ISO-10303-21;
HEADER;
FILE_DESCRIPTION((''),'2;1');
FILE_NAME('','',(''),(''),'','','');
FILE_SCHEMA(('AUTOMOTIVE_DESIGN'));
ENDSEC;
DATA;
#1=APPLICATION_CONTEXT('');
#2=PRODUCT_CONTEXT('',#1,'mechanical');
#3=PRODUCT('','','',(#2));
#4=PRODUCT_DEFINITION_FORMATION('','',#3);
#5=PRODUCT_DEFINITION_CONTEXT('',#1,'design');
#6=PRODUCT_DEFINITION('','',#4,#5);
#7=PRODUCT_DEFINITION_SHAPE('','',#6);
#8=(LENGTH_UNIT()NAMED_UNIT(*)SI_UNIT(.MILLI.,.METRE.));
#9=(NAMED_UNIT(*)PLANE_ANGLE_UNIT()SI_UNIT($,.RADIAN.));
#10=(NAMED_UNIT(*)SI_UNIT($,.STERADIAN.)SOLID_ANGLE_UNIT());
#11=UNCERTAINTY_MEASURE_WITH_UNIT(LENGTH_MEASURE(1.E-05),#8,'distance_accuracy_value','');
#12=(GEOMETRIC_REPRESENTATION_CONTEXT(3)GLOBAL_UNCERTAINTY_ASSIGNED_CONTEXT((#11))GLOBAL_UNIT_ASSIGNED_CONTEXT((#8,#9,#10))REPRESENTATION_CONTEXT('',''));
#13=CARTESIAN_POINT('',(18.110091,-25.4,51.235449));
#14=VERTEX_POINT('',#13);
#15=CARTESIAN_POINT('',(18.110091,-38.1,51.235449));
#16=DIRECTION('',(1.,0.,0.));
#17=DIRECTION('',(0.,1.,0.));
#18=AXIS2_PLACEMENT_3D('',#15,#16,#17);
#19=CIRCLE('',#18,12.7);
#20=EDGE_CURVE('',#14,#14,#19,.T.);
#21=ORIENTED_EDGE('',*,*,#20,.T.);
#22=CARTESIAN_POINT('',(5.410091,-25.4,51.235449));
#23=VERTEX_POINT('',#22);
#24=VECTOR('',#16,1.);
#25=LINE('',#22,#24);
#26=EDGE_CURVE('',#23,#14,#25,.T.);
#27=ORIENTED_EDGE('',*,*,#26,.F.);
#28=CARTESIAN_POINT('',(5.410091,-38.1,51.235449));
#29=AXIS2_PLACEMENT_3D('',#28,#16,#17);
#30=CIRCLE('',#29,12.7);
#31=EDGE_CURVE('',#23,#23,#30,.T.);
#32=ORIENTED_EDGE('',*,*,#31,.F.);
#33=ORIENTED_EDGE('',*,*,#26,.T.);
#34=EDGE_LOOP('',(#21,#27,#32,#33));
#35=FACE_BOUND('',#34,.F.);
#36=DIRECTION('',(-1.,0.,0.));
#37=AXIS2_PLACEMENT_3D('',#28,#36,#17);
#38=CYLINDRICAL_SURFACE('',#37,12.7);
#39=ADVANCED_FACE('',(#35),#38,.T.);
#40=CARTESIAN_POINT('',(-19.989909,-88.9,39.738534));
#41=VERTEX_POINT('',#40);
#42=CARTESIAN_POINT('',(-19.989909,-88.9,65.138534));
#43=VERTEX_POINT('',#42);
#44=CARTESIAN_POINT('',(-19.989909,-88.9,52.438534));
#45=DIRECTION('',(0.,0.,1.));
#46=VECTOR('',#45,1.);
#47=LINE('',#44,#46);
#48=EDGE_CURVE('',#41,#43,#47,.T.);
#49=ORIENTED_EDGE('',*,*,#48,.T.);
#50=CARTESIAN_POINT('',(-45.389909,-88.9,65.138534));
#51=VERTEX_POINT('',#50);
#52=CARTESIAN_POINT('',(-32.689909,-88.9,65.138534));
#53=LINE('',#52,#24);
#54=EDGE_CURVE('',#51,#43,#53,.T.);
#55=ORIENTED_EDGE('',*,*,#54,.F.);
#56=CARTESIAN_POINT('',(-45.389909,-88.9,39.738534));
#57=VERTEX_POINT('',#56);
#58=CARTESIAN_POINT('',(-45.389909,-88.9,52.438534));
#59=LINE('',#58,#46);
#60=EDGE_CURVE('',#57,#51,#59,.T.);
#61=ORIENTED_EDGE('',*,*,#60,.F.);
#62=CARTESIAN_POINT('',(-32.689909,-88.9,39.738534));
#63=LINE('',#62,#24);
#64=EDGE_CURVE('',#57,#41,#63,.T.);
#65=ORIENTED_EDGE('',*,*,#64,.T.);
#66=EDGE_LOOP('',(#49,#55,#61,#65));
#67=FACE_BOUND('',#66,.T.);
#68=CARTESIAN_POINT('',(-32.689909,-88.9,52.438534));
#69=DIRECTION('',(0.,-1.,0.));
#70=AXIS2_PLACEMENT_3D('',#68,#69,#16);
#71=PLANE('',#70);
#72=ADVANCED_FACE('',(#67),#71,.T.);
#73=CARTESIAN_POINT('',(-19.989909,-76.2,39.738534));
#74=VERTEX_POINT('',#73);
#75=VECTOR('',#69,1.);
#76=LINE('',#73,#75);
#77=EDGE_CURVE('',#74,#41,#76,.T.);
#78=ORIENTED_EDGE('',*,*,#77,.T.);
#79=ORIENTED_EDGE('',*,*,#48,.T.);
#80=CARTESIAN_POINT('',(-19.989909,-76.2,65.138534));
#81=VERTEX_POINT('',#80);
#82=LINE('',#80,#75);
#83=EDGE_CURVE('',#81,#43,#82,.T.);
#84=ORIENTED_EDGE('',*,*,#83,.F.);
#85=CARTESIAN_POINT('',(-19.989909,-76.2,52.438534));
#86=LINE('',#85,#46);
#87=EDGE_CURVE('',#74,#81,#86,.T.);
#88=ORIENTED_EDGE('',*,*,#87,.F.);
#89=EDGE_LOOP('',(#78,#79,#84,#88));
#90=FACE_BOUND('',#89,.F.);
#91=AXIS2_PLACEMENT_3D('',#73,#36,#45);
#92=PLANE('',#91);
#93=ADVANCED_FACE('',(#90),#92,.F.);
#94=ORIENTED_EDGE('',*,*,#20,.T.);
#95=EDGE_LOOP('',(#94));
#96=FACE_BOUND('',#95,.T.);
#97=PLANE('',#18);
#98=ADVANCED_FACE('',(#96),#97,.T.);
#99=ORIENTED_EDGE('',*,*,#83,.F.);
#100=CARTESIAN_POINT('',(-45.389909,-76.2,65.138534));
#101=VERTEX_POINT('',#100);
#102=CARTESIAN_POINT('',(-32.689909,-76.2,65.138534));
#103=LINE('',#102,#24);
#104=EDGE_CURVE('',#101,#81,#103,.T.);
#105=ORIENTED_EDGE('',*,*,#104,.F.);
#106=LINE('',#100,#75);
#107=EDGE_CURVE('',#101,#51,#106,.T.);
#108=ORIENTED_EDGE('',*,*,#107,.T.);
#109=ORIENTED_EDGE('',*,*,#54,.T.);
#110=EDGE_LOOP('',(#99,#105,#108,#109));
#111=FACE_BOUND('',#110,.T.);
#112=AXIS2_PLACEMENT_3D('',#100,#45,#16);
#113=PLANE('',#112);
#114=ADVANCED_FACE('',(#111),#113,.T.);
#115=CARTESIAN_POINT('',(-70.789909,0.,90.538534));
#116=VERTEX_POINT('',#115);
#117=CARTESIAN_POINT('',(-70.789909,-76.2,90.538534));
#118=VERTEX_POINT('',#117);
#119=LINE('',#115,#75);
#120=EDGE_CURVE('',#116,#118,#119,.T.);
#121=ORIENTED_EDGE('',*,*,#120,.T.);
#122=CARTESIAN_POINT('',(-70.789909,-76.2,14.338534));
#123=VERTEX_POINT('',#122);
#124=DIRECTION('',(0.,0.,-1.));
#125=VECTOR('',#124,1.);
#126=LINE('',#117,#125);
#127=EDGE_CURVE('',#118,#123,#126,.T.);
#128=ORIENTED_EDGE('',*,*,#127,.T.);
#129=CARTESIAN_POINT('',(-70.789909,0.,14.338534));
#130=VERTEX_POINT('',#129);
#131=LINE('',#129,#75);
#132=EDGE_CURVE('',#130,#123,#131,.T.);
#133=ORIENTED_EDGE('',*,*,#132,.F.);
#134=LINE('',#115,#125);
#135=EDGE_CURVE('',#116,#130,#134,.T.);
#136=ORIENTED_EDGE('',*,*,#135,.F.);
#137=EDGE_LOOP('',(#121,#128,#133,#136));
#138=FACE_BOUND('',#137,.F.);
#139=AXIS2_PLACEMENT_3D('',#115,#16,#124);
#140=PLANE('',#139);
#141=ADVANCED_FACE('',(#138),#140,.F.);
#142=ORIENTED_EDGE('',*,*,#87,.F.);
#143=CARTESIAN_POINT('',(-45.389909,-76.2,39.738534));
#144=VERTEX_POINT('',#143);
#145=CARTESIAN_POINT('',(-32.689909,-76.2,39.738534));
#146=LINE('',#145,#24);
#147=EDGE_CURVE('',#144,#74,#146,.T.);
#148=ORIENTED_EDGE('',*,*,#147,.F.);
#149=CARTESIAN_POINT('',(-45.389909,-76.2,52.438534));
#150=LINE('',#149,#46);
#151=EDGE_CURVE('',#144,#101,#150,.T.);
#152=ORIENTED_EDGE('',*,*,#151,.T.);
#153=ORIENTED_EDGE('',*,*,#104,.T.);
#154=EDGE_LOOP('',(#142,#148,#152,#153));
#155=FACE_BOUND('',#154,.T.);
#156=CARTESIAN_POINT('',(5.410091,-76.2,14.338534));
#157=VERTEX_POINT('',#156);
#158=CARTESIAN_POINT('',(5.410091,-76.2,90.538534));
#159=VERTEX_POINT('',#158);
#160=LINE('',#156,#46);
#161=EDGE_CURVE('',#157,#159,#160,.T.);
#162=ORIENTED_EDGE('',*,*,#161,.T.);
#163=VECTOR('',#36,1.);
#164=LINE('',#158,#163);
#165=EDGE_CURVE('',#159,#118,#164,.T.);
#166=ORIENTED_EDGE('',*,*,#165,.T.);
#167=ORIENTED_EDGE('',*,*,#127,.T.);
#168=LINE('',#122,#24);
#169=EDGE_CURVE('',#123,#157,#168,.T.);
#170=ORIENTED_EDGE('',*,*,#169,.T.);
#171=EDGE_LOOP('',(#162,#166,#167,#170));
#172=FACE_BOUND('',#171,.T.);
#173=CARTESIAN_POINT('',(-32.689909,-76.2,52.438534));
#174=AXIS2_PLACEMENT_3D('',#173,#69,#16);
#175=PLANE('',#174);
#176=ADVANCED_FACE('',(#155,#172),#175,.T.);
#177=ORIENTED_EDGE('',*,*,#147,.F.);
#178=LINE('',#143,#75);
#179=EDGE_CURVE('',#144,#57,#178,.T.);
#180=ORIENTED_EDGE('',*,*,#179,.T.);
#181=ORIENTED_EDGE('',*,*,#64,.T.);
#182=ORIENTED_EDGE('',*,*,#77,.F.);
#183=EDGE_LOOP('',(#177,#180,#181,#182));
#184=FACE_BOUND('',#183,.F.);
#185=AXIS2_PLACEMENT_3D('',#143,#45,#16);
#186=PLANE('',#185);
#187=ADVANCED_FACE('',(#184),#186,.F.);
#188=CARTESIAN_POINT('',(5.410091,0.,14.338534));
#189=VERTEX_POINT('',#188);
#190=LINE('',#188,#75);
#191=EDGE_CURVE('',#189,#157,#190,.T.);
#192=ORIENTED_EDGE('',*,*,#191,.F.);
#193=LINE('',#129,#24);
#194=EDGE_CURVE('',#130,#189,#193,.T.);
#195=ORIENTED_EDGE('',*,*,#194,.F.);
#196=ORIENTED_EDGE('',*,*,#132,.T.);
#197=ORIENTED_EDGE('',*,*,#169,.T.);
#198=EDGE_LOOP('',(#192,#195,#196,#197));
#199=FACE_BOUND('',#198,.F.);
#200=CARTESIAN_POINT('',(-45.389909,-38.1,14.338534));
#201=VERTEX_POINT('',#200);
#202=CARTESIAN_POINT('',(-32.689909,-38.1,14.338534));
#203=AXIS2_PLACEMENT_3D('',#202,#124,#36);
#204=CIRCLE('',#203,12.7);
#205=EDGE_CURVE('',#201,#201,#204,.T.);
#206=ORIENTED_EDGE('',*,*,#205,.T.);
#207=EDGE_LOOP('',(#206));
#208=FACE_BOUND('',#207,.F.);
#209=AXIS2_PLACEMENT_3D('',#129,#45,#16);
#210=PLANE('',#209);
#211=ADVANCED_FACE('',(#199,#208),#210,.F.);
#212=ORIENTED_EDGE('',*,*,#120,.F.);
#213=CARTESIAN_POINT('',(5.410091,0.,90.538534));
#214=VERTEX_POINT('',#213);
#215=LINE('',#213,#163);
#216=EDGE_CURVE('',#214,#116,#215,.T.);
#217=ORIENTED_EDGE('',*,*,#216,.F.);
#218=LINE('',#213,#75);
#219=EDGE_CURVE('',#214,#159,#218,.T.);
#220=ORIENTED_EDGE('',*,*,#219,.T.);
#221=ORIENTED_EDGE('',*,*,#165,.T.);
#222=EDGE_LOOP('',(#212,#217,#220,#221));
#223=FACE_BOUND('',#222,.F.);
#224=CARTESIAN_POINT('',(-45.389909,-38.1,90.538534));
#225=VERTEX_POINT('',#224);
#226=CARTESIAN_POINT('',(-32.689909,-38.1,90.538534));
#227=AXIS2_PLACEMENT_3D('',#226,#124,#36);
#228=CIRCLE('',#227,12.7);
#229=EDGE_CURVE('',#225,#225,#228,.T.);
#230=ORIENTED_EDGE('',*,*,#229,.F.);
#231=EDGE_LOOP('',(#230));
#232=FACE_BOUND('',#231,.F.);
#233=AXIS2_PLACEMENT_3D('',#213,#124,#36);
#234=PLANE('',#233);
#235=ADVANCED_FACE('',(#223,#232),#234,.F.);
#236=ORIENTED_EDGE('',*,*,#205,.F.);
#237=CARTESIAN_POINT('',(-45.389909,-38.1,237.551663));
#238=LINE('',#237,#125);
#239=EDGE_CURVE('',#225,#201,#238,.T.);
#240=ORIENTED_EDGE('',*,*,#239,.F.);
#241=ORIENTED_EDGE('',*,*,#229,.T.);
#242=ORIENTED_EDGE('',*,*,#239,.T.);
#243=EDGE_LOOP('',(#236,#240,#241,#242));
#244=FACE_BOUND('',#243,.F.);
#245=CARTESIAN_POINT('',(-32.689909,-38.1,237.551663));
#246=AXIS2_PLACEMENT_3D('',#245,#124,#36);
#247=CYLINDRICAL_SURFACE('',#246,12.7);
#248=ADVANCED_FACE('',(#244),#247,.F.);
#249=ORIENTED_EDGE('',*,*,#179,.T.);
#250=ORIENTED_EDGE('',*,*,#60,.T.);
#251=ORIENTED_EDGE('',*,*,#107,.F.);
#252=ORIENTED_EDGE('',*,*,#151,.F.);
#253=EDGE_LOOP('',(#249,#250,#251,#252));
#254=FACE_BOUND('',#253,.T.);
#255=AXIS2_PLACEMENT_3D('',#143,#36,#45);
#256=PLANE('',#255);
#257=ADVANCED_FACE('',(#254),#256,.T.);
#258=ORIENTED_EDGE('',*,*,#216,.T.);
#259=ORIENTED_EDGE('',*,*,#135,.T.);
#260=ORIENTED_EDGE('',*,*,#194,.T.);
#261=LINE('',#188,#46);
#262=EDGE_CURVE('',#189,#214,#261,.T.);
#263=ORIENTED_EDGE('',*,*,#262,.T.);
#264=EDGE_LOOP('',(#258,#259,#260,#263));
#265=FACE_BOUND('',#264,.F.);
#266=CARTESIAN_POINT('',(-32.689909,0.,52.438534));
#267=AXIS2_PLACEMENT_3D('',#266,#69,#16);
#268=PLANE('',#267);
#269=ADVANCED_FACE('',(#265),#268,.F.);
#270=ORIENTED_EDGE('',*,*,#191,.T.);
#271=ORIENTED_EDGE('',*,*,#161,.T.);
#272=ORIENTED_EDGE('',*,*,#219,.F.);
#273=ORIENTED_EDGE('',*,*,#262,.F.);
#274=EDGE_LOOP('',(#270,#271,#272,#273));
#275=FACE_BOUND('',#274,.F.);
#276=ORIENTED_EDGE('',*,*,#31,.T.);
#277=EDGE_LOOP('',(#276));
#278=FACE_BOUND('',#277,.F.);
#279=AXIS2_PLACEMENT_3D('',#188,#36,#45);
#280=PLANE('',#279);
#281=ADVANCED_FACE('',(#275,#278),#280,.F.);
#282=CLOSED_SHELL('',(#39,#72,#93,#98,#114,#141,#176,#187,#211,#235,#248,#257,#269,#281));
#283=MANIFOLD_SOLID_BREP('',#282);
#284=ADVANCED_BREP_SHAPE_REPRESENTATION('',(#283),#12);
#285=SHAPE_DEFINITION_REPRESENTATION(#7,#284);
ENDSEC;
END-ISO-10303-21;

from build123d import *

# Parameters (mm, degrees)
F1_DEPTH = 76.2
F2_W     = 25.4
F2_H     = 25.4
F3_DEPTH = 12.7
F4_R     = 12.7
F5_DEPTH = 12.7
F7_D     = 25.4


with BuildPart() as f1:
    # F0 (on Front) → F1 (new body)
    with BuildSketch(Plane.XZ):
        Polygon((-70.789909, 90.538534), (-70.789909, 14.338534), (5.410091, 14.338534), (5.410091, 90.538534), (-11.810248, 90.538534), (-32.689909, 90.538534), align=None)
    extrude(amount=F1_DEPTH)

    # F2 (on face) → F3 (join)
    with BuildSketch(Plane.XZ.offset(76.2)):
        with Locations((-32.689909, 52.438534)):
            Rectangle(F2_W, F2_H)
    extrude(amount=F3_DEPTH)

    # F4 (on face) → F5 (join)
    with BuildSketch(Plane.YZ.offset(5.410091)):
        with Locations((-38.1, 51.235449)):
            Circle(F4_R)
    extrude(amount=F5_DEPTH)

    # F7 (through all)
    with Locations(Plane.XY.offset(90.538534)):
        with Locations((-32.689909, -38.1)):
            Hole(F7_D / 2)


solid = f1.part
